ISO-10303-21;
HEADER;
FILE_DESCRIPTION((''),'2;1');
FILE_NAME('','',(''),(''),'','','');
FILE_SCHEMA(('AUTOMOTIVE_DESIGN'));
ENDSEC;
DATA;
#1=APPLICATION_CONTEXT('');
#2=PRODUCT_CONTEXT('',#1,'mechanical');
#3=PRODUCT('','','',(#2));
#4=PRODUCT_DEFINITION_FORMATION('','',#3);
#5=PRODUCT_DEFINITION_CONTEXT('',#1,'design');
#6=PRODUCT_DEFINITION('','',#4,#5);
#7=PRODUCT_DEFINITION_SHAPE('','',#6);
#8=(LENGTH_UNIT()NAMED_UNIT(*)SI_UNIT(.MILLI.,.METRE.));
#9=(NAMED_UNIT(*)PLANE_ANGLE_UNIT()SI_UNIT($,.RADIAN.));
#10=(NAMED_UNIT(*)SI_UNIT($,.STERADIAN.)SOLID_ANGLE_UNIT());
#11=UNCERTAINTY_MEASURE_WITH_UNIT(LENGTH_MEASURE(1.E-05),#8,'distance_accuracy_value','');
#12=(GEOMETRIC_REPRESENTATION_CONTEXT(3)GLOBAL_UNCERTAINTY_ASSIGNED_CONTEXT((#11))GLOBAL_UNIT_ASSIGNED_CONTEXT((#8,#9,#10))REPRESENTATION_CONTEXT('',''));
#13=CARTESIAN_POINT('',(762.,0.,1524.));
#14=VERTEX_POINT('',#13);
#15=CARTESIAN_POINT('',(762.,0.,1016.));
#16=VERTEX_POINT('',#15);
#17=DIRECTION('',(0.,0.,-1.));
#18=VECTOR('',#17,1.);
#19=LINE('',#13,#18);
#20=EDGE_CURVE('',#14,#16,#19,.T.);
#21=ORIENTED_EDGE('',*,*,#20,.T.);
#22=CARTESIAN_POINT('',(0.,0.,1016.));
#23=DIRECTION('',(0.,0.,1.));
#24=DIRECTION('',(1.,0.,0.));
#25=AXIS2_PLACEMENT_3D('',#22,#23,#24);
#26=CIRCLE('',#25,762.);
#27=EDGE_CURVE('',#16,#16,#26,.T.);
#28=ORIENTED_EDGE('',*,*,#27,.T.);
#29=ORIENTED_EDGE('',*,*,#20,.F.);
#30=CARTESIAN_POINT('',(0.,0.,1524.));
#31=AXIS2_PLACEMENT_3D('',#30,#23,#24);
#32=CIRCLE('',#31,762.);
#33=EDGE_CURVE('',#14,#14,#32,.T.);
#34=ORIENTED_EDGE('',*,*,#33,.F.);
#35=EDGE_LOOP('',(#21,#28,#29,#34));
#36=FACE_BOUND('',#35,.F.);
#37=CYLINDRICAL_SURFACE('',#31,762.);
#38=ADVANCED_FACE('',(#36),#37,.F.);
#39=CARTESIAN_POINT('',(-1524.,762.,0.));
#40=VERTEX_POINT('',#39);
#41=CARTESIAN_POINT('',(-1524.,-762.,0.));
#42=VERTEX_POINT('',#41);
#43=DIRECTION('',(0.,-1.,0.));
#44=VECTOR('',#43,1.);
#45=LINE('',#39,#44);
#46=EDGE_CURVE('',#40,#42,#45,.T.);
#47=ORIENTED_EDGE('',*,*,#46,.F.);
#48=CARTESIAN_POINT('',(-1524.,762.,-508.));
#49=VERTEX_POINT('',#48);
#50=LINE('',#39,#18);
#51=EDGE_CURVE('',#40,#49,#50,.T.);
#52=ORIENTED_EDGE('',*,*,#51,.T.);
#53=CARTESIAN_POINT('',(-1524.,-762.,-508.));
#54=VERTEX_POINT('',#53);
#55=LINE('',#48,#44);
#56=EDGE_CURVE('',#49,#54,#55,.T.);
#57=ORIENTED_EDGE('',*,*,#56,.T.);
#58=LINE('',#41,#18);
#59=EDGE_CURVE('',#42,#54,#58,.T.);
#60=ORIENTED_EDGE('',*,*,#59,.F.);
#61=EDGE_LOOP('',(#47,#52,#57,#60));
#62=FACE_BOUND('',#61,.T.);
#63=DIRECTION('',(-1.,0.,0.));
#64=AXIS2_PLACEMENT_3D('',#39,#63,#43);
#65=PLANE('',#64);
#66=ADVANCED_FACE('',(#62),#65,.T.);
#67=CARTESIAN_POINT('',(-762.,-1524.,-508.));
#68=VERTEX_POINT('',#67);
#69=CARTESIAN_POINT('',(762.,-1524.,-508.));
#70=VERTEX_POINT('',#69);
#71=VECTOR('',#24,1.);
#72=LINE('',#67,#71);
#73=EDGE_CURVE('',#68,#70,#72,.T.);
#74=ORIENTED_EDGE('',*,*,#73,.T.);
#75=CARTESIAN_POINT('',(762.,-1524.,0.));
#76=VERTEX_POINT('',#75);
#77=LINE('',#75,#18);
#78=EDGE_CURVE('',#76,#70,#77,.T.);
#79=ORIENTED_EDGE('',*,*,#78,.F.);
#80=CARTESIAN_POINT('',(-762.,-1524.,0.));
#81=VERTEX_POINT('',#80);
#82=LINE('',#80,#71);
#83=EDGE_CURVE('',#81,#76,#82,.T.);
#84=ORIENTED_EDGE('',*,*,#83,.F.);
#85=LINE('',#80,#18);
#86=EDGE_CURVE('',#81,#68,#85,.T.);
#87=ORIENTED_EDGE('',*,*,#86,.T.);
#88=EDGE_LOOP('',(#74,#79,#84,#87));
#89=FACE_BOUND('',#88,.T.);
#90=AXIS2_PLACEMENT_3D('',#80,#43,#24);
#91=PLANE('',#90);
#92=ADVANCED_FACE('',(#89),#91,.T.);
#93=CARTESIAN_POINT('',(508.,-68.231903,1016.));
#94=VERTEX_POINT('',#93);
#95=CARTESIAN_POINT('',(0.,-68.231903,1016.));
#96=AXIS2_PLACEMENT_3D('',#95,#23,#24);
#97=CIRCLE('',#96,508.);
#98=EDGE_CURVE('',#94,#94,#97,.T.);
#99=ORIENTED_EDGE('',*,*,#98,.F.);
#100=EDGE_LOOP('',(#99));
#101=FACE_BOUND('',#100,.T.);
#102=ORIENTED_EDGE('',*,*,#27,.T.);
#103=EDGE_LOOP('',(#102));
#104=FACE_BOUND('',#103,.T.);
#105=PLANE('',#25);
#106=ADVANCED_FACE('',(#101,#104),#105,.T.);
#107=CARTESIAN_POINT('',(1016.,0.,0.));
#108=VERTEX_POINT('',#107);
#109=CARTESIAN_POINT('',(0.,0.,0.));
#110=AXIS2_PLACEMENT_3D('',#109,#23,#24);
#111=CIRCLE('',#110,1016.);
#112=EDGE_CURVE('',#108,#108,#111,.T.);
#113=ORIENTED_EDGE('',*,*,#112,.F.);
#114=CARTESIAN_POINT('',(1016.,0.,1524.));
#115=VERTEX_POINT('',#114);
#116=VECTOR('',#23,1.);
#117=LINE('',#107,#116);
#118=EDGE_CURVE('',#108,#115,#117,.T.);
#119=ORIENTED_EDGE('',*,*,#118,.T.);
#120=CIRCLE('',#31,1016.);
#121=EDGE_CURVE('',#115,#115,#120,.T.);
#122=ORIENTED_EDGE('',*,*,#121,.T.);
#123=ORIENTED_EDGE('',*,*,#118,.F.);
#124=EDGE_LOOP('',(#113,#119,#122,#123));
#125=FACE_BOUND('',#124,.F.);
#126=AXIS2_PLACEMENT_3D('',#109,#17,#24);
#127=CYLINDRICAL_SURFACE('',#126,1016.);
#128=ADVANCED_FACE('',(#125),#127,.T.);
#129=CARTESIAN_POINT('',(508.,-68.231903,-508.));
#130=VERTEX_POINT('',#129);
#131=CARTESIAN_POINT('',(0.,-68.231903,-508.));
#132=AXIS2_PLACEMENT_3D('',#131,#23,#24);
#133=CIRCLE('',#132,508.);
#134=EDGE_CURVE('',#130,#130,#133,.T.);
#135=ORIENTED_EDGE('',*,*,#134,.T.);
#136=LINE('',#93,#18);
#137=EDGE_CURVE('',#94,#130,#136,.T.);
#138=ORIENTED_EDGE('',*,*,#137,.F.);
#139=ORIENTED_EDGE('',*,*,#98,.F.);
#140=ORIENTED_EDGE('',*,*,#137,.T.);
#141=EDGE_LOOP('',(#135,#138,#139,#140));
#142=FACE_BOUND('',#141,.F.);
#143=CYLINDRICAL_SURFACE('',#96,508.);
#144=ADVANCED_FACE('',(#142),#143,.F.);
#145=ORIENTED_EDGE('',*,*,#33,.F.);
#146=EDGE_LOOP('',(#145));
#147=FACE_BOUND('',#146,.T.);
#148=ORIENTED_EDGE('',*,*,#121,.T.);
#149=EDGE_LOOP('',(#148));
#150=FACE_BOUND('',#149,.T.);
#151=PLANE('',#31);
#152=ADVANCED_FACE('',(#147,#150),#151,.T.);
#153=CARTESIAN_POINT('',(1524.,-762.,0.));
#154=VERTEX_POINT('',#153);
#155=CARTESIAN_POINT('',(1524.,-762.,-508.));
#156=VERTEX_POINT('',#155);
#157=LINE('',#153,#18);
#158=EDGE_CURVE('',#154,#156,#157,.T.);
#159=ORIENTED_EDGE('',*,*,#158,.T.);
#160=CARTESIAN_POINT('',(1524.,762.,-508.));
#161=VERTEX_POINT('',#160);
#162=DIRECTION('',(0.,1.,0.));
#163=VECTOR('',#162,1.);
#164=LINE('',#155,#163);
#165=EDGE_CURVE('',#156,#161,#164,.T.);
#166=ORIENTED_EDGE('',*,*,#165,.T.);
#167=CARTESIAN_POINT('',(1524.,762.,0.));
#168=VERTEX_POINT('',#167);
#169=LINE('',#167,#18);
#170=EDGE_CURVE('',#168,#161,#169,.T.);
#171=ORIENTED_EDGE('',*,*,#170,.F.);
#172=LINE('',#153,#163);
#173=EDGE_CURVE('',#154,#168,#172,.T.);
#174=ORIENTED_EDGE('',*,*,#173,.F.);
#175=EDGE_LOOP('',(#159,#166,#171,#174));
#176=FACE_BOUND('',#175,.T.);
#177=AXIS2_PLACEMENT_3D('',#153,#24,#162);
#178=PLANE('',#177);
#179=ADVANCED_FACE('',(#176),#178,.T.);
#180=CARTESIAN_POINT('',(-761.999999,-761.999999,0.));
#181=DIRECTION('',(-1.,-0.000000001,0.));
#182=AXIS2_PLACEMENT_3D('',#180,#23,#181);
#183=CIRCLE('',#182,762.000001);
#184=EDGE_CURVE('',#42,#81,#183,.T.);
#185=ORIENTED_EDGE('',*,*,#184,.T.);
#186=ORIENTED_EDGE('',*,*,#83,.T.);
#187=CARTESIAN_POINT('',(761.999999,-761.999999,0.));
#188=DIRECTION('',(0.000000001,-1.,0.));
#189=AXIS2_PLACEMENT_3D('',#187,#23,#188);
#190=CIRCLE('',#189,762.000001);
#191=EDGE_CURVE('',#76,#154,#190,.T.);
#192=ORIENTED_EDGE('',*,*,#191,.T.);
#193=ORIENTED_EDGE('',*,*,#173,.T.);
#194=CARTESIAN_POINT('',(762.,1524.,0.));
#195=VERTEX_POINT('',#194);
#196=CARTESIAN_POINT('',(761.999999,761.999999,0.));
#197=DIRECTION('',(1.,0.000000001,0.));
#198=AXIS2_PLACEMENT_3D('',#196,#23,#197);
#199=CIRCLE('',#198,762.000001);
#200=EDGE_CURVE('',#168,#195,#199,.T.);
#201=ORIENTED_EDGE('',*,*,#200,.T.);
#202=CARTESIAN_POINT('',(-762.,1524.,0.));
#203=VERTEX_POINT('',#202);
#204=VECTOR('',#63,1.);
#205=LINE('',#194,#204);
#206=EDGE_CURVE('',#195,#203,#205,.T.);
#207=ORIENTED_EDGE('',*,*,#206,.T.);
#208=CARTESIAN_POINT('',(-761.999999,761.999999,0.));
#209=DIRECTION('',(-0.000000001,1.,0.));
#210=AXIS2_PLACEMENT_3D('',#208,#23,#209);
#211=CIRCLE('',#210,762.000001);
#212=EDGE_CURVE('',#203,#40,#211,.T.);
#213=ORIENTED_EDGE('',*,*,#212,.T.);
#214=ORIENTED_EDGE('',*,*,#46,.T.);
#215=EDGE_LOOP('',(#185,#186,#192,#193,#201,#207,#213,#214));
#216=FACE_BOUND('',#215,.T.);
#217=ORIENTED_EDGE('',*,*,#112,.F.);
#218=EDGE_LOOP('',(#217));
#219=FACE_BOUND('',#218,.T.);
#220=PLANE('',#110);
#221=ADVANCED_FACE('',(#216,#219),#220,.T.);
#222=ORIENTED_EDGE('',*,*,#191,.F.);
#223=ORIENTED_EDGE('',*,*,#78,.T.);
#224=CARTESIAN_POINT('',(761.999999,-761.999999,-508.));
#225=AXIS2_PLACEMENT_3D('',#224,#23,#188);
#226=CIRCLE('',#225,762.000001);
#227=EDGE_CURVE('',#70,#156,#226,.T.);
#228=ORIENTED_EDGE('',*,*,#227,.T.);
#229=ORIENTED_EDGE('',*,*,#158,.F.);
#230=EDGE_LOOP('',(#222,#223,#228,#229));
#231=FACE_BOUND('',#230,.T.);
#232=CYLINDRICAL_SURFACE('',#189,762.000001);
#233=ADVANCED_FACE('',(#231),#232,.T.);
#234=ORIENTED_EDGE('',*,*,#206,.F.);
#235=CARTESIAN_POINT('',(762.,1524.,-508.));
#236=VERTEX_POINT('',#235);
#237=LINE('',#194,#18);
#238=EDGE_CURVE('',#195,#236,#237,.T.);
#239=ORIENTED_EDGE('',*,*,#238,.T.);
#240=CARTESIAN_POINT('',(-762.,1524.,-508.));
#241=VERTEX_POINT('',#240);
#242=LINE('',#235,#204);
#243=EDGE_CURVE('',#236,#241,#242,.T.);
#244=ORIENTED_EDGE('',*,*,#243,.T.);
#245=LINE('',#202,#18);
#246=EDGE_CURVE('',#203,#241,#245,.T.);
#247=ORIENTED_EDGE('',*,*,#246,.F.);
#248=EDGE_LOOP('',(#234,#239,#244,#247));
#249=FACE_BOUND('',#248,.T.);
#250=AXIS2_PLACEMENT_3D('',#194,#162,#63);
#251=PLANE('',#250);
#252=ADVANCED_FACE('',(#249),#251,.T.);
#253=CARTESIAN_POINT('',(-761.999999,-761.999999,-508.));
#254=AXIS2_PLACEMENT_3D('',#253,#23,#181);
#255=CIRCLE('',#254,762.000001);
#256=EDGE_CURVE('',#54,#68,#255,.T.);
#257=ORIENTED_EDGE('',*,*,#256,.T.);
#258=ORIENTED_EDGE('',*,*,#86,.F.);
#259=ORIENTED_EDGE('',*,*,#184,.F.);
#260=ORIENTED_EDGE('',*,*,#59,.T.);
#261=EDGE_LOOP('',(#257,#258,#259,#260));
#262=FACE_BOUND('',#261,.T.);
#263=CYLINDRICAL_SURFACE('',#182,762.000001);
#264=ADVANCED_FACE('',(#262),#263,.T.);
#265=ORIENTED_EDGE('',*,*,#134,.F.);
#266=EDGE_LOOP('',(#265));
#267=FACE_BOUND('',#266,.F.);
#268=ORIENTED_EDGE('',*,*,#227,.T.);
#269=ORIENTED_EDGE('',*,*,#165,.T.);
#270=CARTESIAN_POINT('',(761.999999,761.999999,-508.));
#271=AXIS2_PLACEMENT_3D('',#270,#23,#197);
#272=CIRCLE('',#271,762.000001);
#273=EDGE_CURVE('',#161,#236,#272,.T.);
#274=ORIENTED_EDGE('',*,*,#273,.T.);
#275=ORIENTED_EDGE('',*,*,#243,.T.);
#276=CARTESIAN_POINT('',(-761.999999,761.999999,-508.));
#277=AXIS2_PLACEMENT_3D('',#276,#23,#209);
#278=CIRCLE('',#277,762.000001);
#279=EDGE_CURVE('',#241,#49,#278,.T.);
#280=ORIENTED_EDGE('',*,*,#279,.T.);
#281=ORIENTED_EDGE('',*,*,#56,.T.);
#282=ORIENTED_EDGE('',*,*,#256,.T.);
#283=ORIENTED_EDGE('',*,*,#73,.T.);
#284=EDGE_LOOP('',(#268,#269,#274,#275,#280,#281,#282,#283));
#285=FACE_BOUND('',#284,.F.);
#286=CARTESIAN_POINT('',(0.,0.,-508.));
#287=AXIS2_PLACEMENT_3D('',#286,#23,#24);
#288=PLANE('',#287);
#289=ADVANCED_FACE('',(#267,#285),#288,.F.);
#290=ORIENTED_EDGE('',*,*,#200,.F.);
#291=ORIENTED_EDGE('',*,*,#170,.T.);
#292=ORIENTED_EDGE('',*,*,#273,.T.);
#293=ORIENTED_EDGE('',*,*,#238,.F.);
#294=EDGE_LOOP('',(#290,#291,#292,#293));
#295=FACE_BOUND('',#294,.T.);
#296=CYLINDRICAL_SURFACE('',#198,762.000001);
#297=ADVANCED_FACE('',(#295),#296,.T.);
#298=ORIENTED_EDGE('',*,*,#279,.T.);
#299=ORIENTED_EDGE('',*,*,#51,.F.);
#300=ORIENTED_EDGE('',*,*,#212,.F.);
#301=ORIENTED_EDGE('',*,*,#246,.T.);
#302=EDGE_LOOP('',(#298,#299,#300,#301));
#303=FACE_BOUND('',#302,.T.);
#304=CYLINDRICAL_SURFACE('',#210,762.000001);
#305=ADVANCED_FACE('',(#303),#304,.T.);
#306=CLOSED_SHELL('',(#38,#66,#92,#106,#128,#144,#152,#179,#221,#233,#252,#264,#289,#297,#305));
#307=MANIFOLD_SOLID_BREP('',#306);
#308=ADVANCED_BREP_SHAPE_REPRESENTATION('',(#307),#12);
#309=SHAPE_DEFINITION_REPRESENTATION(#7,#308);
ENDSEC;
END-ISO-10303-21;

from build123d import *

# Parameters (mm, degrees)
F1_DEPTH = 508
F2_R     = 1016
F3_DEPTH = 1524
F4_R     = 762
F5_DEPTH = 508
F6_R     = 508
F7_DEPTH = 2032


with BuildPart() as f1:
    # F0 (on Top) → F1 (new body)
    with BuildSketch(Plane.XY):
        with BuildLine():
            Line((-762, -1524), (762, -1524))
            ThreePointArc((762, -1524), (1300.815367, -1300.815367), (1524, -762))
            Line((1524, -762), (1524, 762))
            ThreePointArc((1524, 762), (1300.815367, 1300.815367), (762, 1524))
            Line((762, 1524), (-762, 1524))
            ThreePointArc((-762, 1524), (-1300.815367, 1300.815367), (-1524, 762))
            Line((-1524, 762), (-1524, -762))
            ThreePointArc((-1524, -762), (-1300.815367, -1300.815367), (-762, -1524))
        make_face()
    extrude(amount=-F1_DEPTH)

    # F2 (on face) → F3 (join)
    with BuildSketch(Plane.XY):
        Circle(F2_R)
    extrude(amount=F3_DEPTH)

    # F4 (on face) → F5 (cut)
    with BuildSketch(Plane.XY.offset(1524)):
        Circle(F4_R)
    extrude(amount=-F5_DEPTH, mode=Mode.SUBTRACT)

    # F6 (on face) → F7 (cut)
    with BuildSketch(Plane.XY.offset(1016)):
        with Locations((0, -68.231903)):
            Circle(F6_R)
    extrude(amount=-F7_DEPTH, mode=Mode.SUBTRACT)


solid = f1.part
